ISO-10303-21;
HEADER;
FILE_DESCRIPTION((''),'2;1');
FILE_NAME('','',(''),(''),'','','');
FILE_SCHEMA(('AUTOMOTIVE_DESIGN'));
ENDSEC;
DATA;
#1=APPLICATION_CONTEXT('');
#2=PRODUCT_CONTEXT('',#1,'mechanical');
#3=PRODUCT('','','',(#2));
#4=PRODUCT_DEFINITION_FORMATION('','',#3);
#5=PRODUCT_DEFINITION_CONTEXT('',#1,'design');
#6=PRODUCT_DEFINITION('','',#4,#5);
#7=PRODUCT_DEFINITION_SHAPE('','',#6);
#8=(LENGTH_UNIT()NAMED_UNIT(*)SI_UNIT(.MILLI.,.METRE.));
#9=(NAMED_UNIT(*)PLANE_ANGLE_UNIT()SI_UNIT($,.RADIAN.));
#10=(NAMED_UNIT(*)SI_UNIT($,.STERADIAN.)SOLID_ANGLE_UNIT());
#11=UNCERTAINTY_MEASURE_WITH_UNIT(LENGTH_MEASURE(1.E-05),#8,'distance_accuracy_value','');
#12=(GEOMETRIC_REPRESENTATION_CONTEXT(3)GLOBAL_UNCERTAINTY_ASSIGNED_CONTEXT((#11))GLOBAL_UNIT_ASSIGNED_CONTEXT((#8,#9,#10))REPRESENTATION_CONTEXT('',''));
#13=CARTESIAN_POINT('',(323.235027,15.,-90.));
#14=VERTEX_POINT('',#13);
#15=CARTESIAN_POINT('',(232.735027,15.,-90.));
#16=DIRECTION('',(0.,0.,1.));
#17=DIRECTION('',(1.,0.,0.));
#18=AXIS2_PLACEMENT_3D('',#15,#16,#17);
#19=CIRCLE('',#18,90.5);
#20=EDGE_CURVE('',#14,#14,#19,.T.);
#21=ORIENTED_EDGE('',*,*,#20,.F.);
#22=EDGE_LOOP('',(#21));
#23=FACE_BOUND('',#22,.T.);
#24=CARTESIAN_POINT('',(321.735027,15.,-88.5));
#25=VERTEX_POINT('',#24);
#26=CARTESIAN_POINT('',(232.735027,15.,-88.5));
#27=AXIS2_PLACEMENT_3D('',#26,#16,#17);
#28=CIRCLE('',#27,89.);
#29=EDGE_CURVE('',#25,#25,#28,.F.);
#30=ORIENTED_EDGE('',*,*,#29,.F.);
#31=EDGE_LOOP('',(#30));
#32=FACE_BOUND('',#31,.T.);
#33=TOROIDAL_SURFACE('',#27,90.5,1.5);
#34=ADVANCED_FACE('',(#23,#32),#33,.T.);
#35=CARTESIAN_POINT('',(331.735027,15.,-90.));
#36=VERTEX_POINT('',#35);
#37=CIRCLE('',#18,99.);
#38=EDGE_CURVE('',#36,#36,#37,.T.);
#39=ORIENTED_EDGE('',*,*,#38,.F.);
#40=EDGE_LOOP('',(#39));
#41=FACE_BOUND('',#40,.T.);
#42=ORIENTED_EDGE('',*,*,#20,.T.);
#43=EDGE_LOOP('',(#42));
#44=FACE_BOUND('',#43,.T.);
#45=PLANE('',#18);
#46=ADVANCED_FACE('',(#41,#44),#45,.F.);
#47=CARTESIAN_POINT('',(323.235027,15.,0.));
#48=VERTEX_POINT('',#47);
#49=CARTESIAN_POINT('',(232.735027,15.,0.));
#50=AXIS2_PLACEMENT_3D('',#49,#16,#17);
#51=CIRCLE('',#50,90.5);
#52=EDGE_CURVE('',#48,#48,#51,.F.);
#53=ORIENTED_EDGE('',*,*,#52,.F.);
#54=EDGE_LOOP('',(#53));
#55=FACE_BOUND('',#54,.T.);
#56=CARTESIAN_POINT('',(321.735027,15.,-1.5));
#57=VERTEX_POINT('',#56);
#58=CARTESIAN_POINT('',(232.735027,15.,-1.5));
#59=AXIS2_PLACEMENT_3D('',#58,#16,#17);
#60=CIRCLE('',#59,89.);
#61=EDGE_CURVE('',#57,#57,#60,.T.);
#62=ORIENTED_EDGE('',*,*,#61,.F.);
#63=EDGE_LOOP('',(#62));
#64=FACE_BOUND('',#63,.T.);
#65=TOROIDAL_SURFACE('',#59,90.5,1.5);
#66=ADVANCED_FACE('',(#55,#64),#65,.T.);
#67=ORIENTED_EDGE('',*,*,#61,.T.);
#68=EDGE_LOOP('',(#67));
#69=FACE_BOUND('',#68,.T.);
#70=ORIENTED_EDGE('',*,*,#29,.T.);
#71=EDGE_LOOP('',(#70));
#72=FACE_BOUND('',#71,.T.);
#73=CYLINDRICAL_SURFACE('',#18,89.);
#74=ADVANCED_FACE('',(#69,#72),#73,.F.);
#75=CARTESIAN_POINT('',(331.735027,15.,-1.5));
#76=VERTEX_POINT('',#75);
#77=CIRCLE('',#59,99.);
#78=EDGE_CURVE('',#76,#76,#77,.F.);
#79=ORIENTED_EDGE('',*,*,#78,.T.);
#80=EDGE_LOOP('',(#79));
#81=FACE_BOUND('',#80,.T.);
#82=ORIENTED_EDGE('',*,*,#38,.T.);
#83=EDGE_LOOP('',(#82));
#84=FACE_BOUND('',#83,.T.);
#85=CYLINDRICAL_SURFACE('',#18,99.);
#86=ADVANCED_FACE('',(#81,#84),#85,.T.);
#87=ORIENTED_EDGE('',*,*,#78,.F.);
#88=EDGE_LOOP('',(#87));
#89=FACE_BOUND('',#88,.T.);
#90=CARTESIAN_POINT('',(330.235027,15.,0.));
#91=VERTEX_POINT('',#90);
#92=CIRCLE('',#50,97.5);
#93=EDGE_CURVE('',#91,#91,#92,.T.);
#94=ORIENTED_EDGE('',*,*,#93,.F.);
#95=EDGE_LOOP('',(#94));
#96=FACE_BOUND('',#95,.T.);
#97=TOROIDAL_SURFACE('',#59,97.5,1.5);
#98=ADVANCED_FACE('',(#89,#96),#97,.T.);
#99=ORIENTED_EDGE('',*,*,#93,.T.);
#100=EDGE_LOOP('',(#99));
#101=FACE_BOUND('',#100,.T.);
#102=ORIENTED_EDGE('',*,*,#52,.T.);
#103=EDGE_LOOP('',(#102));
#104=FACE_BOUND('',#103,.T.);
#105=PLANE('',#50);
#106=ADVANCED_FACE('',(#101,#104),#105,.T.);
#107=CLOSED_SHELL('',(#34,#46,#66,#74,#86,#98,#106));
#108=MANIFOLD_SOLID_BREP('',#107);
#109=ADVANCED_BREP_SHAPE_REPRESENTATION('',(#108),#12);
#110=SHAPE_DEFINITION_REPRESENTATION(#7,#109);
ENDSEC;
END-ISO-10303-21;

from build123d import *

# Parameters (mm, degrees)
SKETCH1_R           = 99
SKETCH1_R_2         = 89
BOSS_EXTRUDE1_DEPTH = 90
FILLET1_R           = 1.5


with BuildPart() as part:
    # Sketch1 → Boss-Extrude1 (new body)
    with BuildSketch(Plane.XY):
        with Locations((232.735026919, 15)):
            Circle(SKETCH1_R)
        with Locations((232.735026919, 15)):
            Circle(SKETCH1_R_2, mode=Mode.SUBTRACT)
    extrude(amount=-BOSS_EXTRUDE1_DEPTH)

    # Fillet1
    fillet1_edges = [part.edges().sort_by_distance(p)[0] for p in [
        (133.735026919, 15, 0),
        (143.735026919, 15, -90),
        (143.735026919, 15, 0),
    ]]
    fillet(fillet1_edges, radius=FILLET1_R)


solid = part.part
